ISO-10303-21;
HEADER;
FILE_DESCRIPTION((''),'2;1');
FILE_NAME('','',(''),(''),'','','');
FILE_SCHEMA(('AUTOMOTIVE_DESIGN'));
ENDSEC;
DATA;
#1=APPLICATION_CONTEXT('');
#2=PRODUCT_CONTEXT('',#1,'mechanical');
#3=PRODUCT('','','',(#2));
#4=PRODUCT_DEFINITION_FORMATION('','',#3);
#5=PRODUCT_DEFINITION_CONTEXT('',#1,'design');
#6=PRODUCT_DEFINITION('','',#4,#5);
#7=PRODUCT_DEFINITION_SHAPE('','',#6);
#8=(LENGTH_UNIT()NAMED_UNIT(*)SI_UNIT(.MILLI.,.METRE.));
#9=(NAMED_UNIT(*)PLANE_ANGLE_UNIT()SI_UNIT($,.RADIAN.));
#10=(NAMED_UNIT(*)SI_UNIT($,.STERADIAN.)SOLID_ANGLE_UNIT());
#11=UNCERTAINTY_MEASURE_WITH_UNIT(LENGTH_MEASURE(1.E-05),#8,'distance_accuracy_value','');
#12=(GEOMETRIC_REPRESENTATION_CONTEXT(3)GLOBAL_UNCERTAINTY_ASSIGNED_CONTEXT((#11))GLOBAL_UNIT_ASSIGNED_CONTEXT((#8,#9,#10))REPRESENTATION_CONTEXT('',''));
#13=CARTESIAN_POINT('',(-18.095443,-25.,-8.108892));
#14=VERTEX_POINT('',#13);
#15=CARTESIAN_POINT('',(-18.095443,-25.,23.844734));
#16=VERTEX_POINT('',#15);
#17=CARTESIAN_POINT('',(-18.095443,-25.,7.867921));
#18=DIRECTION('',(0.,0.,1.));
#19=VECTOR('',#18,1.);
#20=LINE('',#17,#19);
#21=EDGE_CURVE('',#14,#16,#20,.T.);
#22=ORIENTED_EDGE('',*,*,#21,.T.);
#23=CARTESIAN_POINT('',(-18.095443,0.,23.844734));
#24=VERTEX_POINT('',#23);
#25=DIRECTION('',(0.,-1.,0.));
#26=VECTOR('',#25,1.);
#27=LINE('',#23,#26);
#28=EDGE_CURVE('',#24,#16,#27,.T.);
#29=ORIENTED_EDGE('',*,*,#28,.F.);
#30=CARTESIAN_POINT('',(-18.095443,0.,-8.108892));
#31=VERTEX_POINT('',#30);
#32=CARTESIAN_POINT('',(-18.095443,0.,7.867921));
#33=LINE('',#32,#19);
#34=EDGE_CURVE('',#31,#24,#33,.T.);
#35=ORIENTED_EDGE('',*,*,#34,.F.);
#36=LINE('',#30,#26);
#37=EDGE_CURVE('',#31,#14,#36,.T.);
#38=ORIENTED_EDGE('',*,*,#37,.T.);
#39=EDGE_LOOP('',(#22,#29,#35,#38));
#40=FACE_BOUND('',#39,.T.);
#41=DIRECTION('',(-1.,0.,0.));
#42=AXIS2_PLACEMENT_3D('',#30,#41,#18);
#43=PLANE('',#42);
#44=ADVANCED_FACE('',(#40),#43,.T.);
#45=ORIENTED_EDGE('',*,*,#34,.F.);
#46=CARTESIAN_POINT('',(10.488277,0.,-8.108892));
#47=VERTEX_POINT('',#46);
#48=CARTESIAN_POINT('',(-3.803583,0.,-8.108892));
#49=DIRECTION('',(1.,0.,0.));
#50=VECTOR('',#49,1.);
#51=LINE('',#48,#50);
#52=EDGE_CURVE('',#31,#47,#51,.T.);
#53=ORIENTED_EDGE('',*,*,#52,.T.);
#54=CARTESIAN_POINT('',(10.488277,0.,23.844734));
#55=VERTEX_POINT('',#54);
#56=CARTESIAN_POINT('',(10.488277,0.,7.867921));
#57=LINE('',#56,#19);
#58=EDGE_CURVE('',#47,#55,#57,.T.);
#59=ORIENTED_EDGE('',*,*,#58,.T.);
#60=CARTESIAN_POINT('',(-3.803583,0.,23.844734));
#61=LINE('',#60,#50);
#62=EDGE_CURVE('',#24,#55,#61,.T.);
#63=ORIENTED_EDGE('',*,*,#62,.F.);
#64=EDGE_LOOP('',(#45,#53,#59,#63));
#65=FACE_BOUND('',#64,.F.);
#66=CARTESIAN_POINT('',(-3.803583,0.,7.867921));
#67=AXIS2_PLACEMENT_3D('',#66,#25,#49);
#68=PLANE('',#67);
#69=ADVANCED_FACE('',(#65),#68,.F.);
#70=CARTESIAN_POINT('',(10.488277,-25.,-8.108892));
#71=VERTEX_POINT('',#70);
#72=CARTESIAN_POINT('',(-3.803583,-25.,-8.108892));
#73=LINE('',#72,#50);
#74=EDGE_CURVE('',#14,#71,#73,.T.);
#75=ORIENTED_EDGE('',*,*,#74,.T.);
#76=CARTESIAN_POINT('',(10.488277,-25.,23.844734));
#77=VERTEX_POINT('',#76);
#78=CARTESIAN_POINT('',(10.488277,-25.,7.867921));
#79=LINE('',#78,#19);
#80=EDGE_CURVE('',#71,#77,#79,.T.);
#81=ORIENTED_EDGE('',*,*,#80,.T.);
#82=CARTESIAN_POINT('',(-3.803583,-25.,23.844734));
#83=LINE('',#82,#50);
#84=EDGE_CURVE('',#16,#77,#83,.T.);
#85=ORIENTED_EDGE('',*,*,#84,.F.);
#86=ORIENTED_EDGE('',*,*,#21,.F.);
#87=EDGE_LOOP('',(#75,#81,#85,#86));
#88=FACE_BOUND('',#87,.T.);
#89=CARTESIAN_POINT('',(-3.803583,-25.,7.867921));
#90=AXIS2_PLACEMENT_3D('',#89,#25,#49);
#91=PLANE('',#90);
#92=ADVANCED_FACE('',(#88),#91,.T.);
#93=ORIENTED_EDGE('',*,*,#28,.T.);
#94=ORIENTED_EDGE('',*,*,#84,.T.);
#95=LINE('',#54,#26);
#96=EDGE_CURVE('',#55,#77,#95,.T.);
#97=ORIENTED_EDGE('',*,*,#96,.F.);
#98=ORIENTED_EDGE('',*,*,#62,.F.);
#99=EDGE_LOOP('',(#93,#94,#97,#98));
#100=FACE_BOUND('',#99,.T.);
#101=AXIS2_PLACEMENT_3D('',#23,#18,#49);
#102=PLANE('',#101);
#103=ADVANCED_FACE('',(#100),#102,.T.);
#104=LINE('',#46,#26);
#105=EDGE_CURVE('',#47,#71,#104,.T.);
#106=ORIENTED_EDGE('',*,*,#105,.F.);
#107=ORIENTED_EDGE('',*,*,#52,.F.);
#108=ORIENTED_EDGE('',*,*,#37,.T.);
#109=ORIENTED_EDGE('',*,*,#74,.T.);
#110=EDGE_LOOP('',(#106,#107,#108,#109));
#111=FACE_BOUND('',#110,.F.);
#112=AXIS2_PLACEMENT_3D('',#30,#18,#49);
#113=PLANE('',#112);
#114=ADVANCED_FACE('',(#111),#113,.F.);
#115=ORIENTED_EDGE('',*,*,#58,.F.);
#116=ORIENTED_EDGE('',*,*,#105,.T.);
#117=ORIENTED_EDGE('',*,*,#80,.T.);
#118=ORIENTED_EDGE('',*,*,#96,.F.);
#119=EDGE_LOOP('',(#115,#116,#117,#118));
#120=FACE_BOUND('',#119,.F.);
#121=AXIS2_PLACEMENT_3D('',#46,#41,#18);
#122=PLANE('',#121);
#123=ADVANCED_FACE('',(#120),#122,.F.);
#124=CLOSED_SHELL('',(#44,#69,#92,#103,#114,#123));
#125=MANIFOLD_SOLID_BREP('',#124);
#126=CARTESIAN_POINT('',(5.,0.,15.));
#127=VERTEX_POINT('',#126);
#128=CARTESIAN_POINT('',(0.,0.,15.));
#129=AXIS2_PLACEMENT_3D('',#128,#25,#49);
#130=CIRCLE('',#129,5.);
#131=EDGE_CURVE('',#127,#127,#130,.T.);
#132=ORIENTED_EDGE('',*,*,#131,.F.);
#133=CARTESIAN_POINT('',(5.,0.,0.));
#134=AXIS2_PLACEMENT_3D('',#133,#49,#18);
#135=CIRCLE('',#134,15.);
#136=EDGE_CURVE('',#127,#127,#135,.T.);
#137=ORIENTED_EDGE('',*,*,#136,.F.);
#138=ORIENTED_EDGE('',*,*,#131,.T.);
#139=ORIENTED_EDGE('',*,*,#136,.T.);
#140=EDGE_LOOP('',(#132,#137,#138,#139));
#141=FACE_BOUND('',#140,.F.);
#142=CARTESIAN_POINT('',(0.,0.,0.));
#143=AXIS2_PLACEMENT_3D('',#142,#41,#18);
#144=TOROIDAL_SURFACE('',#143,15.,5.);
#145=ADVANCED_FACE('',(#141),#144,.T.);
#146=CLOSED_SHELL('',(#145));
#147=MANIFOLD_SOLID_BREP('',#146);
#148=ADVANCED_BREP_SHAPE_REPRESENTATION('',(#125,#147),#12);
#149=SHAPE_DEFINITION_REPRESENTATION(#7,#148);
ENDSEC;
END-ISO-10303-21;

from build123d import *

# Parameters (mm, degrees)
F0_R     = 5
F2_W     = 28.58372
F2_H     = 31.953626
F3_DEPTH = 25


with BuildPart() as f1:
    # F0 (on Front) → F1 (revolve)
    with BuildSketch(Plane.XZ):
        with Locations((0, 15)):
            Circle(F0_R)
    revolve(axis=Axis((3.545721, 0, 0), (1, 0, 0)))


with BuildPart() as f3:
    # F2 (on Front) → F3 (new body)
    with BuildSketch(Plane.XZ):
        with Locations((-3.803583, 7.867921)):
            Rectangle(F2_W, F2_H)
    extrude(amount=F3_DEPTH)


solid = Compound([f1.part, f3.part])
